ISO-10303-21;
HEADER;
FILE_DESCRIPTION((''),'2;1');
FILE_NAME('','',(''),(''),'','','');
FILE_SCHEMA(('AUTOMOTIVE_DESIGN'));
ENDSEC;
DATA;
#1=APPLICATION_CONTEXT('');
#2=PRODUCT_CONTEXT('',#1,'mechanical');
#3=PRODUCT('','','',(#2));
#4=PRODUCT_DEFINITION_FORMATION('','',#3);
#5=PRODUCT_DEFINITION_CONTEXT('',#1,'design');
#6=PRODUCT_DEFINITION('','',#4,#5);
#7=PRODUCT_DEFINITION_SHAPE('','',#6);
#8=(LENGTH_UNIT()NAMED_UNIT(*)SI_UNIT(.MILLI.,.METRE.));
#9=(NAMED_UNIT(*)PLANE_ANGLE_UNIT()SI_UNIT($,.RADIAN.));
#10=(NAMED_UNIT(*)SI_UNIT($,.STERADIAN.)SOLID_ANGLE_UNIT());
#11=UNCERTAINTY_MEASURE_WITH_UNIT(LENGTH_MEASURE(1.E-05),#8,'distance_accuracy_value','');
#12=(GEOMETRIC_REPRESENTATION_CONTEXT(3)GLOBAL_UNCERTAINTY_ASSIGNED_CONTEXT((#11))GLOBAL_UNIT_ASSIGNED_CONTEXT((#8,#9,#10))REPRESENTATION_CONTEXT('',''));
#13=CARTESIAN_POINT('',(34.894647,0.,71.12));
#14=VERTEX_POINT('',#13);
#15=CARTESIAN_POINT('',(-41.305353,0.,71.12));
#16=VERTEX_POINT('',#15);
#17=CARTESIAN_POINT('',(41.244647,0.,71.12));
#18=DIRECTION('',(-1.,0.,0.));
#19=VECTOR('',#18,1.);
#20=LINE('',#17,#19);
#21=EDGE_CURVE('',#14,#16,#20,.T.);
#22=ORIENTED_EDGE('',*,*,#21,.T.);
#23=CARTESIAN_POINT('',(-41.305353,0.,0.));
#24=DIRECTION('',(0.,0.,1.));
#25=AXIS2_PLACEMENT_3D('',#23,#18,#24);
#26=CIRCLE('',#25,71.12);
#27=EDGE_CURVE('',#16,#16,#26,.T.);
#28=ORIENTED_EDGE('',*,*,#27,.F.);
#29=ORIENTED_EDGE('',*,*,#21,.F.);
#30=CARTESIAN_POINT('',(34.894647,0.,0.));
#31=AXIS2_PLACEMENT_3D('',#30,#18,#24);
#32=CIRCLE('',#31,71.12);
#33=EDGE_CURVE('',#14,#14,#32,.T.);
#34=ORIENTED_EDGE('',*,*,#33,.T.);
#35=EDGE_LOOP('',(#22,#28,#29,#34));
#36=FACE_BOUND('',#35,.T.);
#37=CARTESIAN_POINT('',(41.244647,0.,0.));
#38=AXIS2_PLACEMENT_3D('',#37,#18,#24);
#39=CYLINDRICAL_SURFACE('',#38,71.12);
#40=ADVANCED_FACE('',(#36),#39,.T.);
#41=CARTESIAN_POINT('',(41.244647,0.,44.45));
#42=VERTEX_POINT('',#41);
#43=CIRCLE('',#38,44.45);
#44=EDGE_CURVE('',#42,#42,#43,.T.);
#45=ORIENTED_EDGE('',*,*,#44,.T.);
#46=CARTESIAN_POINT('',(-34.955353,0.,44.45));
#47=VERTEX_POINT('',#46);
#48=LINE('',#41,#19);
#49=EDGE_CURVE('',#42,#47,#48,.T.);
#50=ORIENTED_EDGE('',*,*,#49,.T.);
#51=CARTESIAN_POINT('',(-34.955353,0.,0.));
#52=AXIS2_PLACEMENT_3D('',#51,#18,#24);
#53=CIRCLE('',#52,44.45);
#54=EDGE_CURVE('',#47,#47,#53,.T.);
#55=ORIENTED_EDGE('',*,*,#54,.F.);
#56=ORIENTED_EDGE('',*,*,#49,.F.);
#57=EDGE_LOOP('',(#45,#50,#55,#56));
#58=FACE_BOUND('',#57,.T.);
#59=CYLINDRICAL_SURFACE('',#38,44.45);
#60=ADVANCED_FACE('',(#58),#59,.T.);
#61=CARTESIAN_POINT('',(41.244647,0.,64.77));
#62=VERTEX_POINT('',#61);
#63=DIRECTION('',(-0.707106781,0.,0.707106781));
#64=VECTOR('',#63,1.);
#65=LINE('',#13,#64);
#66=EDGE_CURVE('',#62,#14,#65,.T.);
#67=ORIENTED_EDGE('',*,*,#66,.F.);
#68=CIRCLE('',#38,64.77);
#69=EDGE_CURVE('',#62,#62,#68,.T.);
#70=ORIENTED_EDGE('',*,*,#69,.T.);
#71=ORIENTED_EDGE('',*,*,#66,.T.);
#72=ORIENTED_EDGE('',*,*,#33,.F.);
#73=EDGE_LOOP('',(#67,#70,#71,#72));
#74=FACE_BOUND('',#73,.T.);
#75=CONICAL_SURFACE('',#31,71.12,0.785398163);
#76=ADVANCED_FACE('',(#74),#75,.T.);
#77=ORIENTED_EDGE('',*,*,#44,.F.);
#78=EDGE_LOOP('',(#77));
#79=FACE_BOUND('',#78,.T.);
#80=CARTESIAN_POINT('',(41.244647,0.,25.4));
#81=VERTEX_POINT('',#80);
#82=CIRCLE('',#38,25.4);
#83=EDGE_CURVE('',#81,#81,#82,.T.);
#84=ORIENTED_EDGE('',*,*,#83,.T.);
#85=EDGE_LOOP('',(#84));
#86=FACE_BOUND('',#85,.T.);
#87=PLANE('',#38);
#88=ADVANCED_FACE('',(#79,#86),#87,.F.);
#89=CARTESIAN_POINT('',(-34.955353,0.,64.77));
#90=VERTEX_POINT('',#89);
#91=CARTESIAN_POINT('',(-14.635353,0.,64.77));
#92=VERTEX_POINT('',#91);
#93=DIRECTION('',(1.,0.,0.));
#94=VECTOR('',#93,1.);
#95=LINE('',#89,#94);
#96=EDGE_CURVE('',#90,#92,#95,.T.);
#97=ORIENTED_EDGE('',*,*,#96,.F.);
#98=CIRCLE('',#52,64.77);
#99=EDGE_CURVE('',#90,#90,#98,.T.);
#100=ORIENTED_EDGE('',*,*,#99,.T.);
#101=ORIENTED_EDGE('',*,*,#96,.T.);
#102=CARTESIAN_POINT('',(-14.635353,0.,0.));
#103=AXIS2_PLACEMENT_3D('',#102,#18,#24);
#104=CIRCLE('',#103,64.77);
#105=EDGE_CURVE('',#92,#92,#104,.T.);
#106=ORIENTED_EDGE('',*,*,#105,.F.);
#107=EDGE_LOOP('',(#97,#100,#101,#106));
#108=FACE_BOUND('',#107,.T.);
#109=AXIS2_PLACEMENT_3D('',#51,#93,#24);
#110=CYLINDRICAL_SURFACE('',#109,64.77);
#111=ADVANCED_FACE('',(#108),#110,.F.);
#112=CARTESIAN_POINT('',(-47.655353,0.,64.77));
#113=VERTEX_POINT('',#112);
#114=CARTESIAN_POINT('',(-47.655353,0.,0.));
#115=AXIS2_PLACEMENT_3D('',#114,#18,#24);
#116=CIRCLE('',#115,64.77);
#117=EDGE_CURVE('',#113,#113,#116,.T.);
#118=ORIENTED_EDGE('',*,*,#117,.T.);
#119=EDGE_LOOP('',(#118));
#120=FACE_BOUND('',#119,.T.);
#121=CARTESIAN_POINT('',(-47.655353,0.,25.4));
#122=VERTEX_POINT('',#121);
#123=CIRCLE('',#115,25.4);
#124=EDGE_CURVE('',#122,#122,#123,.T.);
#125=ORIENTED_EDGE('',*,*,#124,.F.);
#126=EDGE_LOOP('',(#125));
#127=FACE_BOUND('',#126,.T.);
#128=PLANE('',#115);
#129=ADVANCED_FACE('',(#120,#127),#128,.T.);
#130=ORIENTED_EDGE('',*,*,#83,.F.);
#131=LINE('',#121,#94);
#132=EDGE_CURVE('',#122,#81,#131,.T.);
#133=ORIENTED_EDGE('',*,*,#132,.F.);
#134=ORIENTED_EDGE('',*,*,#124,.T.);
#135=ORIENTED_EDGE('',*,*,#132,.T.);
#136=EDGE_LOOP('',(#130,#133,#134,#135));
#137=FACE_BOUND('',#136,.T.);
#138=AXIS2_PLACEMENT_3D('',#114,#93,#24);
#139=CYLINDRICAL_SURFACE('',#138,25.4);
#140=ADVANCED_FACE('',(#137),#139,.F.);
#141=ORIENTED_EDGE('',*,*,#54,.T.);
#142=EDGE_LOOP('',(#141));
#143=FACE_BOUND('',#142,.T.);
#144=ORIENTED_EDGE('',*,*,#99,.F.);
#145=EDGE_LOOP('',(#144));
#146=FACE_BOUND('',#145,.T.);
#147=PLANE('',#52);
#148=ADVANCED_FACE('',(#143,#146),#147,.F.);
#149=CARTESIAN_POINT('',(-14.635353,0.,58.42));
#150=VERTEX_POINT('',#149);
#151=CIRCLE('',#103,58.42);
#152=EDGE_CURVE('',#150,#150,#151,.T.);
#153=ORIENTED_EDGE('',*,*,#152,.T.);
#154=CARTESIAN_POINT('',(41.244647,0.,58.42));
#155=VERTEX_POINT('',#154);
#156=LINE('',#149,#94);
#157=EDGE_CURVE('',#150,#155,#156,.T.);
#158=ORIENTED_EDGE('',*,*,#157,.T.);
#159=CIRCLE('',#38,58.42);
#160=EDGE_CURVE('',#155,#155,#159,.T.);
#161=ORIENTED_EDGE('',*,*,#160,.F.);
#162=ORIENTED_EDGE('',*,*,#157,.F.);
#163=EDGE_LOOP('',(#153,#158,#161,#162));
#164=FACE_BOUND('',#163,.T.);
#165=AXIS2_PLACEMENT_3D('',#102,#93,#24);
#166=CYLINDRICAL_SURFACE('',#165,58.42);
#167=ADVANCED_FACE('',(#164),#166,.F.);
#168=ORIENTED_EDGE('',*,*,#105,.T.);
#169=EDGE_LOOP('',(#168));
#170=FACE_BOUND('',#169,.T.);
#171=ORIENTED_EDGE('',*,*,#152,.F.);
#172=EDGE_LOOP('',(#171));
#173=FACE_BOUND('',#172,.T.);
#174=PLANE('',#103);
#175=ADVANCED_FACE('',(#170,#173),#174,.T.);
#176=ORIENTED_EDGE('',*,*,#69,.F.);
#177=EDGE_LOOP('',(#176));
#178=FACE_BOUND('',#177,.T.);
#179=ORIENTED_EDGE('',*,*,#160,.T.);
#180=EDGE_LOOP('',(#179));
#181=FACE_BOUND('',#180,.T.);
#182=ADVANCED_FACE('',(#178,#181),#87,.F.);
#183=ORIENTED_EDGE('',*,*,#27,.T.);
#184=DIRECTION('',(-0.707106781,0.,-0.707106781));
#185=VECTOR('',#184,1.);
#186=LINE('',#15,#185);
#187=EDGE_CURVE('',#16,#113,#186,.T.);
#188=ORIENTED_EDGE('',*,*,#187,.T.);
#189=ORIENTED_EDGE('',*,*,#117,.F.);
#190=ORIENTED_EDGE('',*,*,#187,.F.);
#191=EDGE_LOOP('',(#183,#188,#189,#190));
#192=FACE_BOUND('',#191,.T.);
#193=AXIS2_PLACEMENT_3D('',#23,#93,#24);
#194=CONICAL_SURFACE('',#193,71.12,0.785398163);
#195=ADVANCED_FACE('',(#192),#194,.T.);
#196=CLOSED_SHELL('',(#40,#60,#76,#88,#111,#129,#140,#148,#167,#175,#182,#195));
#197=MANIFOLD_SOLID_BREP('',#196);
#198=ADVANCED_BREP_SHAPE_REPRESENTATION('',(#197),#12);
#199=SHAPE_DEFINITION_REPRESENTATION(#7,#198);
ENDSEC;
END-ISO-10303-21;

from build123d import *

# Parameters (mm, degrees)
F2_SIZE = 6.35


with BuildPart() as f1:
    # F0 (on Front) → F1 (revolve)
    with BuildSketch(Plane.XZ):
        Polygon((-47.655353, 25.4), (41.244647, 25.4), (41.244647, 44.45), (-34.955353, 44.45), (-34.955353, 64.77), (-14.635353, 64.77), (-14.635353, 58.42), (41.244647, 58.42), (41.244647, 71.12), (-47.655353, 71.12), align=None)
    revolve(axis=Axis((-3.749629, 0, 0), (-1, 0, 0)))

    # F2
    f2_edges = [f1.edges().sort_by_distance(p)[0] for p in [
        (41.244647, 0, -71.12),
        (-47.655353, 0, -71.12),
    ]]
    chamfer(f2_edges, length=F2_SIZE)


solid = f1.part
